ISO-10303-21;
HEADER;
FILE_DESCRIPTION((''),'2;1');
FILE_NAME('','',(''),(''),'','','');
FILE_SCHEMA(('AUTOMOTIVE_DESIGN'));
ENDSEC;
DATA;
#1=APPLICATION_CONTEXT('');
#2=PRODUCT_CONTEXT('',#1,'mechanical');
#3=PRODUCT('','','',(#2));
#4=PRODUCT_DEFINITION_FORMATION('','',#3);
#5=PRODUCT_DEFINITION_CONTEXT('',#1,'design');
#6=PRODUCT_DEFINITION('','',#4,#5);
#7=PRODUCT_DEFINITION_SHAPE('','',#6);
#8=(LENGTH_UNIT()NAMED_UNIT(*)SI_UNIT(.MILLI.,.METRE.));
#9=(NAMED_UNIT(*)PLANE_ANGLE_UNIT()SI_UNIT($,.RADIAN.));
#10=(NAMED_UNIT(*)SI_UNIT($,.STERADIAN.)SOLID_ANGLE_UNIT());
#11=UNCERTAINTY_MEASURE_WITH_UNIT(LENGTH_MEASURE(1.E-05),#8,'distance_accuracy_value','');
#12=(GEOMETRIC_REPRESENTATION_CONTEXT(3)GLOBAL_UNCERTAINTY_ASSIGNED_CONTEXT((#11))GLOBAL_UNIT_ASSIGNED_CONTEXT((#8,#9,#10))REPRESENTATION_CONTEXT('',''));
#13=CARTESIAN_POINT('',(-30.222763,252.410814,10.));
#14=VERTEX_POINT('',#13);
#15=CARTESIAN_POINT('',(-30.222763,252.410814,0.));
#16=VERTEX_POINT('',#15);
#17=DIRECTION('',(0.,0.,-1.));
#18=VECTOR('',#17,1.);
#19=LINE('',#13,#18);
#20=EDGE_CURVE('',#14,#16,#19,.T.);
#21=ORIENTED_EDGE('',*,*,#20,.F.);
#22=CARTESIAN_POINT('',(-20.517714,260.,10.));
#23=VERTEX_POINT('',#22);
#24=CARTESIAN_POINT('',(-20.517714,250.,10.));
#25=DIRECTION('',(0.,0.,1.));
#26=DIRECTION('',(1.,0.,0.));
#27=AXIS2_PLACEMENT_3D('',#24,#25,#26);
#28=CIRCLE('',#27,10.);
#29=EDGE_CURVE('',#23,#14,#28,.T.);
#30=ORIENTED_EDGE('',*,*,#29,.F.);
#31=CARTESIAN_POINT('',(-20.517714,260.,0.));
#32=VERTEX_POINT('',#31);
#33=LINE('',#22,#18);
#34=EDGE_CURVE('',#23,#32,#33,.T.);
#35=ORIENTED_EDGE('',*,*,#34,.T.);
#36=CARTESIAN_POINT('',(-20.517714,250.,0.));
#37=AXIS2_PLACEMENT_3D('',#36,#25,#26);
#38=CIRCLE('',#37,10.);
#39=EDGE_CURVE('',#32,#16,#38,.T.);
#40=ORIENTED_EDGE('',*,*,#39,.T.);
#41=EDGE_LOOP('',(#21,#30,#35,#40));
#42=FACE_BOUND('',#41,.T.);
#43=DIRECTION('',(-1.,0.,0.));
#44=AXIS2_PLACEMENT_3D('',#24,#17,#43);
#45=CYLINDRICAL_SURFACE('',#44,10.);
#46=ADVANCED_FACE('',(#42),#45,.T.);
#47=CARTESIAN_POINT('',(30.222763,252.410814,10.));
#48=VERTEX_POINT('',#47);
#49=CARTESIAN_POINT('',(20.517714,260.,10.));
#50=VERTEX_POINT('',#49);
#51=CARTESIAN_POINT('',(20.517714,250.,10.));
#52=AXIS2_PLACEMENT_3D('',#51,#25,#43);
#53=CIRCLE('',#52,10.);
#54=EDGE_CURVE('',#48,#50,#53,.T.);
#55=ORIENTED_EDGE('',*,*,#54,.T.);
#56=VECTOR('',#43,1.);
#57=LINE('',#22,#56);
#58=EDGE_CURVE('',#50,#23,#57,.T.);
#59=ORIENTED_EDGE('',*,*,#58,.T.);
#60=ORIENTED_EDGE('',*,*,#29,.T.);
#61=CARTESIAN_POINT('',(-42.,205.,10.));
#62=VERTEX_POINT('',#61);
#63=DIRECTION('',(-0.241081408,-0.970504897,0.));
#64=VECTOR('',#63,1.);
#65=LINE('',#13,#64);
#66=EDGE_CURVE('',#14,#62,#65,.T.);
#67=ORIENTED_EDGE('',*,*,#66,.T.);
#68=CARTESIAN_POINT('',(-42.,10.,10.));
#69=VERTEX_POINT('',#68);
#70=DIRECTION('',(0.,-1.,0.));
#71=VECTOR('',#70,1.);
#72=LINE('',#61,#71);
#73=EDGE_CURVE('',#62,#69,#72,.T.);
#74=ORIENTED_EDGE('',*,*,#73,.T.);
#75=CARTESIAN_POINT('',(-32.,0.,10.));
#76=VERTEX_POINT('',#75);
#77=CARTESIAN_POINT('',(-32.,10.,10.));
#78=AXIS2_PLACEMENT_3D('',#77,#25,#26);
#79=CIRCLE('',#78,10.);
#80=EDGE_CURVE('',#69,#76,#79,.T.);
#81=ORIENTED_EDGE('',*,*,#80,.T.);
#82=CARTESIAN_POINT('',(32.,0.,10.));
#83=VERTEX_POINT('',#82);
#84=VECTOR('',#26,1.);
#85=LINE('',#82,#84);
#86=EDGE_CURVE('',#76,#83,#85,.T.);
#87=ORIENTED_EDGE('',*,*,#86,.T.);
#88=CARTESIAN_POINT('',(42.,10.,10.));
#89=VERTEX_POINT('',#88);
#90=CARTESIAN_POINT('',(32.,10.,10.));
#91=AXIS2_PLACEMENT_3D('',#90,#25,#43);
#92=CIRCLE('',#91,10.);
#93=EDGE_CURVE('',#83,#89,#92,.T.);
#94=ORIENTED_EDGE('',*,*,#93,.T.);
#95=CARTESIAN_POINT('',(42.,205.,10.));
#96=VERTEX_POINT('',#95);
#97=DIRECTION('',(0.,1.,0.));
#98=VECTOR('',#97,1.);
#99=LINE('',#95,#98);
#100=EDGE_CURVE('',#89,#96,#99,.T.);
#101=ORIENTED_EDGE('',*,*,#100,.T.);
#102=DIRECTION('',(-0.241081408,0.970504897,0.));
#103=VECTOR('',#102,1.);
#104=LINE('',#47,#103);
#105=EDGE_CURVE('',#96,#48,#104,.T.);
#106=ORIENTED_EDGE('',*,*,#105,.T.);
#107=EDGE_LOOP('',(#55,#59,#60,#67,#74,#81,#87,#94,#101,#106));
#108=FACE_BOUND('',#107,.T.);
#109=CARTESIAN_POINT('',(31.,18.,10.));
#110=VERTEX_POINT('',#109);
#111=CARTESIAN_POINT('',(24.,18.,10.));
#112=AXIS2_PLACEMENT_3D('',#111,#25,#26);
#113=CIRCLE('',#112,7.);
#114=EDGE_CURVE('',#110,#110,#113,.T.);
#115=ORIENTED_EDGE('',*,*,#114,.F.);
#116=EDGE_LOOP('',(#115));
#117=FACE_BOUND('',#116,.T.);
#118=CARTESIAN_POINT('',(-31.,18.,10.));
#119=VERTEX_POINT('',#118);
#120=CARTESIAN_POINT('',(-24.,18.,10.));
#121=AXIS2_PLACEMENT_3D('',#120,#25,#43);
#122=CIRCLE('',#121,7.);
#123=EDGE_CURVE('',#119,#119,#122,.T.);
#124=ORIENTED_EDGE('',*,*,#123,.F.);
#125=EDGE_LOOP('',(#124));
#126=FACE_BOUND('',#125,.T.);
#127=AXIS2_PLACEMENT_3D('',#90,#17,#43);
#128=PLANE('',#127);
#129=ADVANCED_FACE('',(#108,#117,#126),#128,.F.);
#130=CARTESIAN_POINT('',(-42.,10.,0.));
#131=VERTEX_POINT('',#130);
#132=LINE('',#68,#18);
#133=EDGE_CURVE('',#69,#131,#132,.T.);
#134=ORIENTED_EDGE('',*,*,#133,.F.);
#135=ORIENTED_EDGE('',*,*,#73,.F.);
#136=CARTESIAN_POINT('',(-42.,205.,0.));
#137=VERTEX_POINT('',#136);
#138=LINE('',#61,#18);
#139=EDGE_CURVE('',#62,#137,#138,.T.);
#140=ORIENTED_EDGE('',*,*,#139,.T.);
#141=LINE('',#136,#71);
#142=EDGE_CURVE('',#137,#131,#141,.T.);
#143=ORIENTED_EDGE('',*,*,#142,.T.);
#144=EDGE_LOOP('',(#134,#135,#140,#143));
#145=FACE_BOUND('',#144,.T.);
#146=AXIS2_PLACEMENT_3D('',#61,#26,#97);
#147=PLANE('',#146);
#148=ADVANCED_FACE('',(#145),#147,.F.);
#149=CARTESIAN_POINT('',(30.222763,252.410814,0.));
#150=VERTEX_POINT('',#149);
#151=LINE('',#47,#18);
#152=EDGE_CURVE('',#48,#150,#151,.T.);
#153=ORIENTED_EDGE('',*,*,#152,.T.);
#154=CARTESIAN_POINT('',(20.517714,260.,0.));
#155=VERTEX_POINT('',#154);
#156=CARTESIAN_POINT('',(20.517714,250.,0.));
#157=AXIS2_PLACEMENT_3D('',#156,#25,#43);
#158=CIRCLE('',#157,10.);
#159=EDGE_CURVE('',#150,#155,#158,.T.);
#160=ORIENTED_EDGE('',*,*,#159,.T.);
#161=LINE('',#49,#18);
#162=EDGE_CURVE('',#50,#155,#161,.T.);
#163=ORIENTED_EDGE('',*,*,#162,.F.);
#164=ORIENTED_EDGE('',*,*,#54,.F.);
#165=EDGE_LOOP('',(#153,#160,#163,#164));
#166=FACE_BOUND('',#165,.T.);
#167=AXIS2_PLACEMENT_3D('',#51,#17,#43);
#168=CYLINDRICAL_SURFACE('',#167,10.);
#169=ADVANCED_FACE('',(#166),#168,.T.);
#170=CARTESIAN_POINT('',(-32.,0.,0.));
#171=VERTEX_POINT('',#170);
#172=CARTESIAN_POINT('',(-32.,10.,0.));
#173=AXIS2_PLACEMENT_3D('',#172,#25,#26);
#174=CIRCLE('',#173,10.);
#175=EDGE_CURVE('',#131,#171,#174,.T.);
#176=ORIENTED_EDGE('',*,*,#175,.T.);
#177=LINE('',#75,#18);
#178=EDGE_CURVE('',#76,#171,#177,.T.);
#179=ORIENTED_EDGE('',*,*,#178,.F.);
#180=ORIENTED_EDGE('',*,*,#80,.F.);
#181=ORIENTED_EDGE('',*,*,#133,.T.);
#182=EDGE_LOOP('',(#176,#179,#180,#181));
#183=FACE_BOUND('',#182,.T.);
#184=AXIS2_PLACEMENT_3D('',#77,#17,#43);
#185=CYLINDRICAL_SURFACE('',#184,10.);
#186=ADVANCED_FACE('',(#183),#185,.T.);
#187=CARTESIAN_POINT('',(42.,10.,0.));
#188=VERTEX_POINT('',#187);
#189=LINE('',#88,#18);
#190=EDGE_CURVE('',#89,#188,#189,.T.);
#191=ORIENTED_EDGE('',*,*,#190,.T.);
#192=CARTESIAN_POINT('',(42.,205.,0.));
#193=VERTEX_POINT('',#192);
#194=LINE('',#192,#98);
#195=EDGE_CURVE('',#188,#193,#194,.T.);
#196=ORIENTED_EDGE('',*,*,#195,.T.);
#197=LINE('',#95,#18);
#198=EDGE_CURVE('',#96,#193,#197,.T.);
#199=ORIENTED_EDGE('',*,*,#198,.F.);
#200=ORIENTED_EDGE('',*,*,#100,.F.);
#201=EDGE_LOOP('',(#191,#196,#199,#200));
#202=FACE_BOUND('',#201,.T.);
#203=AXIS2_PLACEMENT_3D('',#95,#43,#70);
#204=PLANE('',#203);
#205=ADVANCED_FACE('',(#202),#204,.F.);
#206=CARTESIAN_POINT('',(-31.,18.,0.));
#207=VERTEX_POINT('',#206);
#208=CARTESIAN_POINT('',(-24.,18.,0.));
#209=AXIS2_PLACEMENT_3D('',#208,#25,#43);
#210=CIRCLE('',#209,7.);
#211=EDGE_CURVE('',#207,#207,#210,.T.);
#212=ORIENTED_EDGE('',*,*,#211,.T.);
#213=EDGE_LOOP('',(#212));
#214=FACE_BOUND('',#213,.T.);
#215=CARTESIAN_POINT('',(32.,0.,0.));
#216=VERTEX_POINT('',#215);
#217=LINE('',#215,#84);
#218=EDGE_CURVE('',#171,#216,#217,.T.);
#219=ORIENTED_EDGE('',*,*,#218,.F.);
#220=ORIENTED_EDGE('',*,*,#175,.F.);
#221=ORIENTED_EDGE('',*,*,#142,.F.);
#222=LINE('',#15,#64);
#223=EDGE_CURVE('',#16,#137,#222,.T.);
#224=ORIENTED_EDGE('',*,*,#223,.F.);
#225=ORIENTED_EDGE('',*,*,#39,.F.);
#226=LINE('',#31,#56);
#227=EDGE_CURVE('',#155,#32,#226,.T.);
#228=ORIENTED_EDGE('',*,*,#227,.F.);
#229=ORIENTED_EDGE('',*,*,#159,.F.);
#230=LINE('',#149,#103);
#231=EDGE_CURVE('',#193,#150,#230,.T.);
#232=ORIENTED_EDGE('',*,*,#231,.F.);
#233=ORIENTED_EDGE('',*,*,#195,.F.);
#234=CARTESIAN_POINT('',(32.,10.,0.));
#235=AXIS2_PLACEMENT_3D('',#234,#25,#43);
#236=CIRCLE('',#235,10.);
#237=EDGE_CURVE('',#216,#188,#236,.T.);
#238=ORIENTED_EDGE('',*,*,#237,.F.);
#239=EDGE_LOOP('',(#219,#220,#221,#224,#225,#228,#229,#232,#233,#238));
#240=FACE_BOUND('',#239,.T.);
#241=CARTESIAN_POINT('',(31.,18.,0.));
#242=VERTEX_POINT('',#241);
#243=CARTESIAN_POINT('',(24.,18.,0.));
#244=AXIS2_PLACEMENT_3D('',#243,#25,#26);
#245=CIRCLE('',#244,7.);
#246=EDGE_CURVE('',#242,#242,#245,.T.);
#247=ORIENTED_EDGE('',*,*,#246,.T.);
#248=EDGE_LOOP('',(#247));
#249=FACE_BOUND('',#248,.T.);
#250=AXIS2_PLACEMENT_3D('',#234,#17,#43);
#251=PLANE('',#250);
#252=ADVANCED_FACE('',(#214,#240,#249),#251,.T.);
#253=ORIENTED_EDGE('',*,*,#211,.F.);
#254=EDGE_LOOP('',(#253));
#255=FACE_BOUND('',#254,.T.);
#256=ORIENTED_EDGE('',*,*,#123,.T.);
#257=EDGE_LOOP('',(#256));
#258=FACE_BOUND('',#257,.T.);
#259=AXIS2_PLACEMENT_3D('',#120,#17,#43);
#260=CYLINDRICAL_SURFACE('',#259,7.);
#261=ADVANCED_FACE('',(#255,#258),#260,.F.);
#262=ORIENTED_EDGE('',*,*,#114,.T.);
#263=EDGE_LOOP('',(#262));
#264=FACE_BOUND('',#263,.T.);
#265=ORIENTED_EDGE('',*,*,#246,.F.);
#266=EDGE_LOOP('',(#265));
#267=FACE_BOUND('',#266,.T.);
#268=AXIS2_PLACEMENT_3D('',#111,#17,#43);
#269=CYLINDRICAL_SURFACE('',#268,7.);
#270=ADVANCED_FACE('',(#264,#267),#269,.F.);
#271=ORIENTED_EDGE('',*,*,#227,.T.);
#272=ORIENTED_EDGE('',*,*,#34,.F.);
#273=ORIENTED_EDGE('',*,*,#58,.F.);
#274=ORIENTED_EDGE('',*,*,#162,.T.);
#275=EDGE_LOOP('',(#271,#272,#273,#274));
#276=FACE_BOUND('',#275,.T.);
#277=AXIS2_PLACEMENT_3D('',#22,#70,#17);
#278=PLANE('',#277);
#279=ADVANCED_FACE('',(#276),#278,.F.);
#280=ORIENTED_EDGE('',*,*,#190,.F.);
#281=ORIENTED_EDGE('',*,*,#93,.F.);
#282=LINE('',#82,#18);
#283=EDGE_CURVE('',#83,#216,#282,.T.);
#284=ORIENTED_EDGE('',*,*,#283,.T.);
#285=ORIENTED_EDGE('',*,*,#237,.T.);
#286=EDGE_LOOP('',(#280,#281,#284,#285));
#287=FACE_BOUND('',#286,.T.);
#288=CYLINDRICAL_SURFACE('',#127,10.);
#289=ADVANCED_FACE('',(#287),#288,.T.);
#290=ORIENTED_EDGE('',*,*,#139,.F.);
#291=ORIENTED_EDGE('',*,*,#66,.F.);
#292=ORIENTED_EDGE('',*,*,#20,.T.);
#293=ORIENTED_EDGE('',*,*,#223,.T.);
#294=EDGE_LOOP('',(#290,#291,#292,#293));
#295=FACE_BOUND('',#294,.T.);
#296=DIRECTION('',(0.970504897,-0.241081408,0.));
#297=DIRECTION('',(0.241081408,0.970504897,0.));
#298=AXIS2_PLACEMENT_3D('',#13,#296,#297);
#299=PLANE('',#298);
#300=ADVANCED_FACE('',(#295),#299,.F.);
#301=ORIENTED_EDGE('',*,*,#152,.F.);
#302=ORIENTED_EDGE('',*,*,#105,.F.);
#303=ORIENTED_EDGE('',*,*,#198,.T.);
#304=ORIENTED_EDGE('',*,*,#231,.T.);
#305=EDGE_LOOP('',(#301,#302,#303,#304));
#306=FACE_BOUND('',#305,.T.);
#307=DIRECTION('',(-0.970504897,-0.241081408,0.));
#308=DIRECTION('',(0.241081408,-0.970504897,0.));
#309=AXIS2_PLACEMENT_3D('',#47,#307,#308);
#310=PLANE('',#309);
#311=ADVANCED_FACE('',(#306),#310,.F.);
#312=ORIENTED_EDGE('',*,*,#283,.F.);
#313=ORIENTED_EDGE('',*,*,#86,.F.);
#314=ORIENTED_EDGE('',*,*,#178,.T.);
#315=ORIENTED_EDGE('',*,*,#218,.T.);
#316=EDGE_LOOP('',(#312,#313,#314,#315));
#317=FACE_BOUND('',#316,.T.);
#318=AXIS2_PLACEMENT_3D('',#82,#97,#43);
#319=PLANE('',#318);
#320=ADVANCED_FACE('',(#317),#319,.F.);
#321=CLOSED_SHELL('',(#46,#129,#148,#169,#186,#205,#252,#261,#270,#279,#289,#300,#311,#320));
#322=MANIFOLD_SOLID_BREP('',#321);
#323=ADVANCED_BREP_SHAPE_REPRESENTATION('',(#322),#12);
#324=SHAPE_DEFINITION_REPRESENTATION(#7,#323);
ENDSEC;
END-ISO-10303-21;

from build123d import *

# Parameters (mm, degrees)
SKETCH1_R           = 7
BOSS_EXTRUDE1_DEPTH = 10


with BuildPart() as part:
    # Sketch1 → Boss-Extrude1 (new body)
    with BuildSketch(Plane.XY):
        with BuildLine():
            Line((-20.517714388, 260), (20.517714388, 260))
            ThreePointArc((20.517714388, 260), (26.67774114, 257.877440601), (30.222763355, 252.410814084))
            Line((30.222763355, 252.410814084), (42, 205))
            Line((42, 205), (42, 10))
            ThreePointArc((42, 10), (39.071067812, 2.928932188), (32, 0))
            Line((32, 0), (-32, 0))
            ThreePointArc((-32, 0), (-39.071067812, 2.928932188), (-42, 10))
            Line((-42, 10), (-42, 205))
            Line((-42, 205), (-30.222763355, 252.410814084))
            ThreePointArc((-30.222763355, 252.410814084), (-26.67774114, 257.877440601), (-20.517714388, 260))
        make_face()
        with Locations((24, 18)):
            Circle(SKETCH1_R, mode=Mode.SUBTRACT)
        with Locations(Location((-24, 18, 0), (0, 0, 180))):
            Circle(SKETCH1_R, mode=Mode.SUBTRACT)
    extrude(amount=BOSS_EXTRUDE1_DEPTH)


solid = part.part
